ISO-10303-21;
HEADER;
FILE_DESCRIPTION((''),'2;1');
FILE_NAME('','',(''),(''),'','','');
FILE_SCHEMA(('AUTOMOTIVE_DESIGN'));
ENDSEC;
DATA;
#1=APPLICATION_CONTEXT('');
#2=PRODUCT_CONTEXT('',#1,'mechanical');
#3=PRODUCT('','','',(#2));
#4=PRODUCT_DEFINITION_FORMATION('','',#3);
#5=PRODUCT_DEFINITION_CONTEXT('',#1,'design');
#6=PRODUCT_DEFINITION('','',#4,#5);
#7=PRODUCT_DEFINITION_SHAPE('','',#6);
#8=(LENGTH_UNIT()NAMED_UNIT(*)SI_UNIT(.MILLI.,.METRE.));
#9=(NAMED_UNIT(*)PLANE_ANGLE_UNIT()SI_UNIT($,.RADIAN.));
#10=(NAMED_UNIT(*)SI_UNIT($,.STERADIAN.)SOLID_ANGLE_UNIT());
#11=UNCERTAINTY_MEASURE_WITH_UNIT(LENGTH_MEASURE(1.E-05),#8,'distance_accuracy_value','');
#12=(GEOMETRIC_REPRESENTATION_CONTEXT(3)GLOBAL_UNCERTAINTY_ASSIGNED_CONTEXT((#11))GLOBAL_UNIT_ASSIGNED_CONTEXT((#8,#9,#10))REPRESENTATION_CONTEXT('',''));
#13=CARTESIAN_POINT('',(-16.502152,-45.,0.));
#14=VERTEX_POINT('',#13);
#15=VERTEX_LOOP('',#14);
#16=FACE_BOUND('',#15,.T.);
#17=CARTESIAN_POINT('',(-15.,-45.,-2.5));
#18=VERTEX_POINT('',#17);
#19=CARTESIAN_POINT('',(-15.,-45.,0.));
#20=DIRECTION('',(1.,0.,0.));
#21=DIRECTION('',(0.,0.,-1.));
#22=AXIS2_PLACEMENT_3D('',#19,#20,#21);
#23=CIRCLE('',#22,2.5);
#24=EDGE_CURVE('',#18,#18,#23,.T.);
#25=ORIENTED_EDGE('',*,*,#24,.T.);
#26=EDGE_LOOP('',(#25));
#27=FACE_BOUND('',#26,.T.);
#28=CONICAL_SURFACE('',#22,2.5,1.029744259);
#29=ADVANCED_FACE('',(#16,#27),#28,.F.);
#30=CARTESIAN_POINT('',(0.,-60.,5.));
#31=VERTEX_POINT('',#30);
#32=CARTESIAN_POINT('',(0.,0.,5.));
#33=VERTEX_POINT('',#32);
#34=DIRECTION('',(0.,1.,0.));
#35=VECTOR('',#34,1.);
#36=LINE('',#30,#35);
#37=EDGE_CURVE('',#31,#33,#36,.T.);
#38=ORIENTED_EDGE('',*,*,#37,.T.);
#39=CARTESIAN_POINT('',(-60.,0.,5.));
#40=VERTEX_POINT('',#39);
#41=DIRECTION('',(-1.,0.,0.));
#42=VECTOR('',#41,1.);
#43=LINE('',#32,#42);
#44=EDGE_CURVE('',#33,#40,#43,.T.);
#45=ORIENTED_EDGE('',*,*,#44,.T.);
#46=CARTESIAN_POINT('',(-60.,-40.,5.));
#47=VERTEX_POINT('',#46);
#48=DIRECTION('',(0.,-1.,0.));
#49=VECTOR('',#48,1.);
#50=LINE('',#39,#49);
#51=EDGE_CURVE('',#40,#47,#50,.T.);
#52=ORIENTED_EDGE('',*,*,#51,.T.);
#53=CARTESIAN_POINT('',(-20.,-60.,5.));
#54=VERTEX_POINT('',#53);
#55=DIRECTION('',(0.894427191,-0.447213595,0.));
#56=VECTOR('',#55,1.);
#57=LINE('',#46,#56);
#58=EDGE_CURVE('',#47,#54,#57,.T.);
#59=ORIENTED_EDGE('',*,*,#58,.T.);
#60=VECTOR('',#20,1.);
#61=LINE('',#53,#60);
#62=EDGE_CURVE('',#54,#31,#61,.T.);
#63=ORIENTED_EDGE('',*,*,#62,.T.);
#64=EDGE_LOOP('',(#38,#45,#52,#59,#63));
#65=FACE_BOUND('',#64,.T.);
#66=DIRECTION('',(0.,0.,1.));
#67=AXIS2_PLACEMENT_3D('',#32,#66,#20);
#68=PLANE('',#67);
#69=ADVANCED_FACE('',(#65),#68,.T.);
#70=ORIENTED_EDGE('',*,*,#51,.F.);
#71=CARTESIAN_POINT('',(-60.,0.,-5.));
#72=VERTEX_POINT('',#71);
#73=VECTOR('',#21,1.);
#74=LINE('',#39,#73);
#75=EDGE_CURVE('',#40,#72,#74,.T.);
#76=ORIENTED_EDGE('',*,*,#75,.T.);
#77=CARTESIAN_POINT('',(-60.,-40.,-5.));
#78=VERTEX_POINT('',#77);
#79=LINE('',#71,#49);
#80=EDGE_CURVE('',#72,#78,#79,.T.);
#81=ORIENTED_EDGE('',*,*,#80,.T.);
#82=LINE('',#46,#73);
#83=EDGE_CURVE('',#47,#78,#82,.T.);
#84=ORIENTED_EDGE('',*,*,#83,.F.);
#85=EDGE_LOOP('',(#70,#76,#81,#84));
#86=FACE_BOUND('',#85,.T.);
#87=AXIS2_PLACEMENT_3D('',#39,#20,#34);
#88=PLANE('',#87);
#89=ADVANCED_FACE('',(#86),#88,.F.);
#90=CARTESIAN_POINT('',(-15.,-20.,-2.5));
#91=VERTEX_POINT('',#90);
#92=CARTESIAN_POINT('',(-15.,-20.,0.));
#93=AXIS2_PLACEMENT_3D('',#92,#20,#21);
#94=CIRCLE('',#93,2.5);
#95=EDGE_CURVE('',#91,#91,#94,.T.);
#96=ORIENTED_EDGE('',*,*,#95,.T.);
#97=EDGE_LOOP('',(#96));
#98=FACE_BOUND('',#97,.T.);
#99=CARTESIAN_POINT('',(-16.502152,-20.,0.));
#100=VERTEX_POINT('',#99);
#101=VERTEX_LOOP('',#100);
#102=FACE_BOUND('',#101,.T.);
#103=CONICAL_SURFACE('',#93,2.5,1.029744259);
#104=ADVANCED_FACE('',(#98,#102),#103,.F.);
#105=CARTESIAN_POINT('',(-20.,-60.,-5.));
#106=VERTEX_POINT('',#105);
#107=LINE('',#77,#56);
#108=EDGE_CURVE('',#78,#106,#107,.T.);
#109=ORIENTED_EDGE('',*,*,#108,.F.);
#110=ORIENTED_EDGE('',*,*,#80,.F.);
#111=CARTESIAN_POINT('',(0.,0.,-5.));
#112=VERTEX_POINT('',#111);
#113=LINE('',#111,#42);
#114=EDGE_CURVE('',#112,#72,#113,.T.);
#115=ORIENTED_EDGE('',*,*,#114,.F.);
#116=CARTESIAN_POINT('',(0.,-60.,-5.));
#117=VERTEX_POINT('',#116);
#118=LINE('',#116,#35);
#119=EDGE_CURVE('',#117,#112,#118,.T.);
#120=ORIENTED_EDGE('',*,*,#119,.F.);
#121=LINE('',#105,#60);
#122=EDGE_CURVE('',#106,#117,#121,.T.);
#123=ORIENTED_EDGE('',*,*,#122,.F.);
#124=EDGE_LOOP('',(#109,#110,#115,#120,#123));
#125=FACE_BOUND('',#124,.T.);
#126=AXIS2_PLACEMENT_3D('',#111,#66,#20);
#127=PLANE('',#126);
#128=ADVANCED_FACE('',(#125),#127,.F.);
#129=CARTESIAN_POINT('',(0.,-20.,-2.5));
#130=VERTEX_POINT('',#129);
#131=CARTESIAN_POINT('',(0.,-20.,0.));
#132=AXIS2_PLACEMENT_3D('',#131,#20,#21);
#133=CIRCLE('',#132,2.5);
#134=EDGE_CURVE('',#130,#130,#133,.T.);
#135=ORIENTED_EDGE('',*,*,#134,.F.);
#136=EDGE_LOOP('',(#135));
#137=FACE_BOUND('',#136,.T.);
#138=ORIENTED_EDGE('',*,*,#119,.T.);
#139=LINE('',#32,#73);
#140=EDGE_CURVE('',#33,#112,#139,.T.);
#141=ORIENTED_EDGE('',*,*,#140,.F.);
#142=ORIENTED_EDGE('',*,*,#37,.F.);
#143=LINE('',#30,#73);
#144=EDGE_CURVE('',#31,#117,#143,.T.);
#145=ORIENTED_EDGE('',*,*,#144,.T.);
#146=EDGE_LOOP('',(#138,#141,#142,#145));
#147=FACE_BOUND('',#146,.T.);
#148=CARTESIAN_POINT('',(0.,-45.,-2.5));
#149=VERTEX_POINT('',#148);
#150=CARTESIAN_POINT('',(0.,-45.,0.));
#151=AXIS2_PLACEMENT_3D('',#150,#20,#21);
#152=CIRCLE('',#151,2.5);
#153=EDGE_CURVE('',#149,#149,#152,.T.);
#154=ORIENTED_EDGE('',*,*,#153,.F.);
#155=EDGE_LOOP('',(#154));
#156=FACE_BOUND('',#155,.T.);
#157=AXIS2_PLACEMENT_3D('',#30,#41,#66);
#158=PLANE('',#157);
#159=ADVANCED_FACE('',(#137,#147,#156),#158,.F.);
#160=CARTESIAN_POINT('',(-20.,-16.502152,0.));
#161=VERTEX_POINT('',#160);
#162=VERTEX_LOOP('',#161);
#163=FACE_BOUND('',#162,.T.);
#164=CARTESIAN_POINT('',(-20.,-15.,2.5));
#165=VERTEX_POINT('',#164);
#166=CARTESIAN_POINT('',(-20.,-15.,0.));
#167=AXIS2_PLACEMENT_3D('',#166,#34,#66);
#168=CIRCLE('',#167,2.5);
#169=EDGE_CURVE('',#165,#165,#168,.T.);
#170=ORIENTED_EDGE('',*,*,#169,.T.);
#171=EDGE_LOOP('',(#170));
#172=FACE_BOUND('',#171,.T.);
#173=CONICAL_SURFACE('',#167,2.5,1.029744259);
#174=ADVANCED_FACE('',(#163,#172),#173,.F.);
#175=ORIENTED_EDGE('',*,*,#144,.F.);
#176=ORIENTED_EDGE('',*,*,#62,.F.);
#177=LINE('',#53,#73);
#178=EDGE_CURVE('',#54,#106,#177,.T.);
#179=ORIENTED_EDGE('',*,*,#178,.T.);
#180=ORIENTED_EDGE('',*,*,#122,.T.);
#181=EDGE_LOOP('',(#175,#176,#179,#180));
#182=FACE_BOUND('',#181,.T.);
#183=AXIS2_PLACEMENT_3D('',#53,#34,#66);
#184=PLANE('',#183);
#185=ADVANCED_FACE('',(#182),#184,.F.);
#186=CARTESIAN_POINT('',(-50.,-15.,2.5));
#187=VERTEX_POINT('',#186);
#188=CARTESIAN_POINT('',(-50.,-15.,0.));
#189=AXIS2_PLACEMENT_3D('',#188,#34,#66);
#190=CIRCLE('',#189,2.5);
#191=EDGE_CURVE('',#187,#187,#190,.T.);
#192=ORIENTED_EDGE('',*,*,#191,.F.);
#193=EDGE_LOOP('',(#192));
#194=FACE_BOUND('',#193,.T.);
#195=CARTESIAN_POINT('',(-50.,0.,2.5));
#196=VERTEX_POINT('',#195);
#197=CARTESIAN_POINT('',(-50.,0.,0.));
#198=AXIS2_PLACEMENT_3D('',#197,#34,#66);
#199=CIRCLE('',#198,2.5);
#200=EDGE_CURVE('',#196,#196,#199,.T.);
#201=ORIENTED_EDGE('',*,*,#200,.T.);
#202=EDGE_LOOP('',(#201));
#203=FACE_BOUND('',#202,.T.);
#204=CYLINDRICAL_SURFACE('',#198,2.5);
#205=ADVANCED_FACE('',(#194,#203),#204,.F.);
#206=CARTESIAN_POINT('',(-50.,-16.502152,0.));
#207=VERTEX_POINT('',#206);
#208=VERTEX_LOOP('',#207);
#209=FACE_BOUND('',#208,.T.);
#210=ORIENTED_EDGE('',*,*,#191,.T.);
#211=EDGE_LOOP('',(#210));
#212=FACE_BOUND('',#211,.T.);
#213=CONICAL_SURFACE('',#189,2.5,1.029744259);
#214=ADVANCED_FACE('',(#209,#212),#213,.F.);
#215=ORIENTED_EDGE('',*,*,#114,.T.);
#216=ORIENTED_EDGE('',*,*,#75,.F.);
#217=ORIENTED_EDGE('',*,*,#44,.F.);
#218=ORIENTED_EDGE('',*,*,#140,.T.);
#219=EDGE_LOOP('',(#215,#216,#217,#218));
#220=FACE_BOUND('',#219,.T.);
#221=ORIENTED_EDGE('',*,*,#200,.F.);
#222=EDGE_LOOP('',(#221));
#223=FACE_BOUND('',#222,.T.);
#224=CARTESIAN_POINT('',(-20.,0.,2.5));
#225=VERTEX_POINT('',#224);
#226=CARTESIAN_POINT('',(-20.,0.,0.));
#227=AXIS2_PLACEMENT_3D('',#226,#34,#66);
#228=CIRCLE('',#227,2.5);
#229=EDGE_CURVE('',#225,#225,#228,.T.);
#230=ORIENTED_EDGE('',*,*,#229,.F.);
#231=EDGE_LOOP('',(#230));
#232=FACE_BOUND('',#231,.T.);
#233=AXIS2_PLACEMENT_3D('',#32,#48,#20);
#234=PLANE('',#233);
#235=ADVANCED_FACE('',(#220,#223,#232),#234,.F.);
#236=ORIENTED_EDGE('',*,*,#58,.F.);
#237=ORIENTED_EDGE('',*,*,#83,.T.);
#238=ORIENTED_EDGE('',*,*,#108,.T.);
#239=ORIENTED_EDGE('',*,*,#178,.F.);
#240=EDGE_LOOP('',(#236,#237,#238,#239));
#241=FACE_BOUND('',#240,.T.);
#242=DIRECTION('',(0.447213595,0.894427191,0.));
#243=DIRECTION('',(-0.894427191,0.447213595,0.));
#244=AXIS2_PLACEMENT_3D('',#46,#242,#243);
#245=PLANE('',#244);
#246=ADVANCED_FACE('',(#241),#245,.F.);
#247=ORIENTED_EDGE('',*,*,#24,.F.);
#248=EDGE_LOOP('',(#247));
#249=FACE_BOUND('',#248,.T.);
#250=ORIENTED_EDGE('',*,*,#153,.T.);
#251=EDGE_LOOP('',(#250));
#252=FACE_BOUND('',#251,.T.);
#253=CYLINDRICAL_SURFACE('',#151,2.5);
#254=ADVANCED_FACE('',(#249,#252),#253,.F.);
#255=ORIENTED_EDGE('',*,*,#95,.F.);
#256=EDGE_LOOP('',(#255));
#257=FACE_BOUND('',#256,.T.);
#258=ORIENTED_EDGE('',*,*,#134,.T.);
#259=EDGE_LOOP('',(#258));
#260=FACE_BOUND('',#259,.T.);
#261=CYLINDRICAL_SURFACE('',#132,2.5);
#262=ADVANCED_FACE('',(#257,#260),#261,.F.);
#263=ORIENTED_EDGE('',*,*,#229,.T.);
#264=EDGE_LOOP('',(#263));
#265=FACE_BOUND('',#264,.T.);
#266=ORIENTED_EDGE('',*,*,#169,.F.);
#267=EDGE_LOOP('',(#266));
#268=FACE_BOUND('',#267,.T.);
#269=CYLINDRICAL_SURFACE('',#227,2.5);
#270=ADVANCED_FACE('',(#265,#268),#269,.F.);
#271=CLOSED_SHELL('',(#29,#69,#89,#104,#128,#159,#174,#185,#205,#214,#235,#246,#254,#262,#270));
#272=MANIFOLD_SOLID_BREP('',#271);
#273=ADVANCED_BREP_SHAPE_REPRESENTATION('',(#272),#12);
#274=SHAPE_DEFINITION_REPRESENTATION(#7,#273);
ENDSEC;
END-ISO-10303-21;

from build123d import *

# Parameters (mm, degrees)
EXTRUDE_1_DEPTH        = 5
HOLE_WIZARD_M6_1_D     = 5
HOLE_WIZARD_M6_1_DEPTH = 15
HOLE_WIZARD_M6_1_TIP   = 1.502151548
HOLE_WIZARD_M6_2_D     = 5
HOLE_WIZARD_M6_2_DEPTH = 15
HOLE_WIZARD_M6_2_TIP   = 1.502151548


with BuildPart() as part:
    # 草图1 → 凸台-拉伸1 (new body, symmetric)
    with BuildSketch(Plane.XY):
        Polygon((0, 0), (-60, 0), (-60, -40), (-20, -60), (0, -60), align=None)
    extrude(amount=EXTRUDE_1_DEPTH, both=True)

    # M6 螺纹孔1
    with Locations(Plane(origin=(0, -20, 0), x_dir=(0, 0, 1), z_dir=(1, 0, 0))):
        with Locations((0, 0), (0, 25)):
            Hole(HOLE_WIZARD_M6_1_D / 2, depth=HOLE_WIZARD_M6_1_DEPTH)
            with Locations((0, 0, -(HOLE_WIZARD_M6_1_DEPTH + HOLE_WIZARD_M6_1_TIP / 2))):  # 118° drill point
                Cone(0, HOLE_WIZARD_M6_1_D / 2, HOLE_WIZARD_M6_1_TIP, mode=Mode.SUBTRACT)

    # M6 螺纹孔2
    with Locations(Plane(origin=(-20, 0, 0), x_dir=(1, 0, 0), z_dir=(0, 1, 0))):
        with Locations((0, 0), (-30, 0)):
            Hole(HOLE_WIZARD_M6_2_D / 2, depth=HOLE_WIZARD_M6_2_DEPTH)
            with Locations((0, 0, -(HOLE_WIZARD_M6_2_DEPTH + HOLE_WIZARD_M6_2_TIP / 2))):  # 118° drill point
                Cone(0, HOLE_WIZARD_M6_2_D / 2, HOLE_WIZARD_M6_2_TIP, mode=Mode.SUBTRACT)


solid = part.part
